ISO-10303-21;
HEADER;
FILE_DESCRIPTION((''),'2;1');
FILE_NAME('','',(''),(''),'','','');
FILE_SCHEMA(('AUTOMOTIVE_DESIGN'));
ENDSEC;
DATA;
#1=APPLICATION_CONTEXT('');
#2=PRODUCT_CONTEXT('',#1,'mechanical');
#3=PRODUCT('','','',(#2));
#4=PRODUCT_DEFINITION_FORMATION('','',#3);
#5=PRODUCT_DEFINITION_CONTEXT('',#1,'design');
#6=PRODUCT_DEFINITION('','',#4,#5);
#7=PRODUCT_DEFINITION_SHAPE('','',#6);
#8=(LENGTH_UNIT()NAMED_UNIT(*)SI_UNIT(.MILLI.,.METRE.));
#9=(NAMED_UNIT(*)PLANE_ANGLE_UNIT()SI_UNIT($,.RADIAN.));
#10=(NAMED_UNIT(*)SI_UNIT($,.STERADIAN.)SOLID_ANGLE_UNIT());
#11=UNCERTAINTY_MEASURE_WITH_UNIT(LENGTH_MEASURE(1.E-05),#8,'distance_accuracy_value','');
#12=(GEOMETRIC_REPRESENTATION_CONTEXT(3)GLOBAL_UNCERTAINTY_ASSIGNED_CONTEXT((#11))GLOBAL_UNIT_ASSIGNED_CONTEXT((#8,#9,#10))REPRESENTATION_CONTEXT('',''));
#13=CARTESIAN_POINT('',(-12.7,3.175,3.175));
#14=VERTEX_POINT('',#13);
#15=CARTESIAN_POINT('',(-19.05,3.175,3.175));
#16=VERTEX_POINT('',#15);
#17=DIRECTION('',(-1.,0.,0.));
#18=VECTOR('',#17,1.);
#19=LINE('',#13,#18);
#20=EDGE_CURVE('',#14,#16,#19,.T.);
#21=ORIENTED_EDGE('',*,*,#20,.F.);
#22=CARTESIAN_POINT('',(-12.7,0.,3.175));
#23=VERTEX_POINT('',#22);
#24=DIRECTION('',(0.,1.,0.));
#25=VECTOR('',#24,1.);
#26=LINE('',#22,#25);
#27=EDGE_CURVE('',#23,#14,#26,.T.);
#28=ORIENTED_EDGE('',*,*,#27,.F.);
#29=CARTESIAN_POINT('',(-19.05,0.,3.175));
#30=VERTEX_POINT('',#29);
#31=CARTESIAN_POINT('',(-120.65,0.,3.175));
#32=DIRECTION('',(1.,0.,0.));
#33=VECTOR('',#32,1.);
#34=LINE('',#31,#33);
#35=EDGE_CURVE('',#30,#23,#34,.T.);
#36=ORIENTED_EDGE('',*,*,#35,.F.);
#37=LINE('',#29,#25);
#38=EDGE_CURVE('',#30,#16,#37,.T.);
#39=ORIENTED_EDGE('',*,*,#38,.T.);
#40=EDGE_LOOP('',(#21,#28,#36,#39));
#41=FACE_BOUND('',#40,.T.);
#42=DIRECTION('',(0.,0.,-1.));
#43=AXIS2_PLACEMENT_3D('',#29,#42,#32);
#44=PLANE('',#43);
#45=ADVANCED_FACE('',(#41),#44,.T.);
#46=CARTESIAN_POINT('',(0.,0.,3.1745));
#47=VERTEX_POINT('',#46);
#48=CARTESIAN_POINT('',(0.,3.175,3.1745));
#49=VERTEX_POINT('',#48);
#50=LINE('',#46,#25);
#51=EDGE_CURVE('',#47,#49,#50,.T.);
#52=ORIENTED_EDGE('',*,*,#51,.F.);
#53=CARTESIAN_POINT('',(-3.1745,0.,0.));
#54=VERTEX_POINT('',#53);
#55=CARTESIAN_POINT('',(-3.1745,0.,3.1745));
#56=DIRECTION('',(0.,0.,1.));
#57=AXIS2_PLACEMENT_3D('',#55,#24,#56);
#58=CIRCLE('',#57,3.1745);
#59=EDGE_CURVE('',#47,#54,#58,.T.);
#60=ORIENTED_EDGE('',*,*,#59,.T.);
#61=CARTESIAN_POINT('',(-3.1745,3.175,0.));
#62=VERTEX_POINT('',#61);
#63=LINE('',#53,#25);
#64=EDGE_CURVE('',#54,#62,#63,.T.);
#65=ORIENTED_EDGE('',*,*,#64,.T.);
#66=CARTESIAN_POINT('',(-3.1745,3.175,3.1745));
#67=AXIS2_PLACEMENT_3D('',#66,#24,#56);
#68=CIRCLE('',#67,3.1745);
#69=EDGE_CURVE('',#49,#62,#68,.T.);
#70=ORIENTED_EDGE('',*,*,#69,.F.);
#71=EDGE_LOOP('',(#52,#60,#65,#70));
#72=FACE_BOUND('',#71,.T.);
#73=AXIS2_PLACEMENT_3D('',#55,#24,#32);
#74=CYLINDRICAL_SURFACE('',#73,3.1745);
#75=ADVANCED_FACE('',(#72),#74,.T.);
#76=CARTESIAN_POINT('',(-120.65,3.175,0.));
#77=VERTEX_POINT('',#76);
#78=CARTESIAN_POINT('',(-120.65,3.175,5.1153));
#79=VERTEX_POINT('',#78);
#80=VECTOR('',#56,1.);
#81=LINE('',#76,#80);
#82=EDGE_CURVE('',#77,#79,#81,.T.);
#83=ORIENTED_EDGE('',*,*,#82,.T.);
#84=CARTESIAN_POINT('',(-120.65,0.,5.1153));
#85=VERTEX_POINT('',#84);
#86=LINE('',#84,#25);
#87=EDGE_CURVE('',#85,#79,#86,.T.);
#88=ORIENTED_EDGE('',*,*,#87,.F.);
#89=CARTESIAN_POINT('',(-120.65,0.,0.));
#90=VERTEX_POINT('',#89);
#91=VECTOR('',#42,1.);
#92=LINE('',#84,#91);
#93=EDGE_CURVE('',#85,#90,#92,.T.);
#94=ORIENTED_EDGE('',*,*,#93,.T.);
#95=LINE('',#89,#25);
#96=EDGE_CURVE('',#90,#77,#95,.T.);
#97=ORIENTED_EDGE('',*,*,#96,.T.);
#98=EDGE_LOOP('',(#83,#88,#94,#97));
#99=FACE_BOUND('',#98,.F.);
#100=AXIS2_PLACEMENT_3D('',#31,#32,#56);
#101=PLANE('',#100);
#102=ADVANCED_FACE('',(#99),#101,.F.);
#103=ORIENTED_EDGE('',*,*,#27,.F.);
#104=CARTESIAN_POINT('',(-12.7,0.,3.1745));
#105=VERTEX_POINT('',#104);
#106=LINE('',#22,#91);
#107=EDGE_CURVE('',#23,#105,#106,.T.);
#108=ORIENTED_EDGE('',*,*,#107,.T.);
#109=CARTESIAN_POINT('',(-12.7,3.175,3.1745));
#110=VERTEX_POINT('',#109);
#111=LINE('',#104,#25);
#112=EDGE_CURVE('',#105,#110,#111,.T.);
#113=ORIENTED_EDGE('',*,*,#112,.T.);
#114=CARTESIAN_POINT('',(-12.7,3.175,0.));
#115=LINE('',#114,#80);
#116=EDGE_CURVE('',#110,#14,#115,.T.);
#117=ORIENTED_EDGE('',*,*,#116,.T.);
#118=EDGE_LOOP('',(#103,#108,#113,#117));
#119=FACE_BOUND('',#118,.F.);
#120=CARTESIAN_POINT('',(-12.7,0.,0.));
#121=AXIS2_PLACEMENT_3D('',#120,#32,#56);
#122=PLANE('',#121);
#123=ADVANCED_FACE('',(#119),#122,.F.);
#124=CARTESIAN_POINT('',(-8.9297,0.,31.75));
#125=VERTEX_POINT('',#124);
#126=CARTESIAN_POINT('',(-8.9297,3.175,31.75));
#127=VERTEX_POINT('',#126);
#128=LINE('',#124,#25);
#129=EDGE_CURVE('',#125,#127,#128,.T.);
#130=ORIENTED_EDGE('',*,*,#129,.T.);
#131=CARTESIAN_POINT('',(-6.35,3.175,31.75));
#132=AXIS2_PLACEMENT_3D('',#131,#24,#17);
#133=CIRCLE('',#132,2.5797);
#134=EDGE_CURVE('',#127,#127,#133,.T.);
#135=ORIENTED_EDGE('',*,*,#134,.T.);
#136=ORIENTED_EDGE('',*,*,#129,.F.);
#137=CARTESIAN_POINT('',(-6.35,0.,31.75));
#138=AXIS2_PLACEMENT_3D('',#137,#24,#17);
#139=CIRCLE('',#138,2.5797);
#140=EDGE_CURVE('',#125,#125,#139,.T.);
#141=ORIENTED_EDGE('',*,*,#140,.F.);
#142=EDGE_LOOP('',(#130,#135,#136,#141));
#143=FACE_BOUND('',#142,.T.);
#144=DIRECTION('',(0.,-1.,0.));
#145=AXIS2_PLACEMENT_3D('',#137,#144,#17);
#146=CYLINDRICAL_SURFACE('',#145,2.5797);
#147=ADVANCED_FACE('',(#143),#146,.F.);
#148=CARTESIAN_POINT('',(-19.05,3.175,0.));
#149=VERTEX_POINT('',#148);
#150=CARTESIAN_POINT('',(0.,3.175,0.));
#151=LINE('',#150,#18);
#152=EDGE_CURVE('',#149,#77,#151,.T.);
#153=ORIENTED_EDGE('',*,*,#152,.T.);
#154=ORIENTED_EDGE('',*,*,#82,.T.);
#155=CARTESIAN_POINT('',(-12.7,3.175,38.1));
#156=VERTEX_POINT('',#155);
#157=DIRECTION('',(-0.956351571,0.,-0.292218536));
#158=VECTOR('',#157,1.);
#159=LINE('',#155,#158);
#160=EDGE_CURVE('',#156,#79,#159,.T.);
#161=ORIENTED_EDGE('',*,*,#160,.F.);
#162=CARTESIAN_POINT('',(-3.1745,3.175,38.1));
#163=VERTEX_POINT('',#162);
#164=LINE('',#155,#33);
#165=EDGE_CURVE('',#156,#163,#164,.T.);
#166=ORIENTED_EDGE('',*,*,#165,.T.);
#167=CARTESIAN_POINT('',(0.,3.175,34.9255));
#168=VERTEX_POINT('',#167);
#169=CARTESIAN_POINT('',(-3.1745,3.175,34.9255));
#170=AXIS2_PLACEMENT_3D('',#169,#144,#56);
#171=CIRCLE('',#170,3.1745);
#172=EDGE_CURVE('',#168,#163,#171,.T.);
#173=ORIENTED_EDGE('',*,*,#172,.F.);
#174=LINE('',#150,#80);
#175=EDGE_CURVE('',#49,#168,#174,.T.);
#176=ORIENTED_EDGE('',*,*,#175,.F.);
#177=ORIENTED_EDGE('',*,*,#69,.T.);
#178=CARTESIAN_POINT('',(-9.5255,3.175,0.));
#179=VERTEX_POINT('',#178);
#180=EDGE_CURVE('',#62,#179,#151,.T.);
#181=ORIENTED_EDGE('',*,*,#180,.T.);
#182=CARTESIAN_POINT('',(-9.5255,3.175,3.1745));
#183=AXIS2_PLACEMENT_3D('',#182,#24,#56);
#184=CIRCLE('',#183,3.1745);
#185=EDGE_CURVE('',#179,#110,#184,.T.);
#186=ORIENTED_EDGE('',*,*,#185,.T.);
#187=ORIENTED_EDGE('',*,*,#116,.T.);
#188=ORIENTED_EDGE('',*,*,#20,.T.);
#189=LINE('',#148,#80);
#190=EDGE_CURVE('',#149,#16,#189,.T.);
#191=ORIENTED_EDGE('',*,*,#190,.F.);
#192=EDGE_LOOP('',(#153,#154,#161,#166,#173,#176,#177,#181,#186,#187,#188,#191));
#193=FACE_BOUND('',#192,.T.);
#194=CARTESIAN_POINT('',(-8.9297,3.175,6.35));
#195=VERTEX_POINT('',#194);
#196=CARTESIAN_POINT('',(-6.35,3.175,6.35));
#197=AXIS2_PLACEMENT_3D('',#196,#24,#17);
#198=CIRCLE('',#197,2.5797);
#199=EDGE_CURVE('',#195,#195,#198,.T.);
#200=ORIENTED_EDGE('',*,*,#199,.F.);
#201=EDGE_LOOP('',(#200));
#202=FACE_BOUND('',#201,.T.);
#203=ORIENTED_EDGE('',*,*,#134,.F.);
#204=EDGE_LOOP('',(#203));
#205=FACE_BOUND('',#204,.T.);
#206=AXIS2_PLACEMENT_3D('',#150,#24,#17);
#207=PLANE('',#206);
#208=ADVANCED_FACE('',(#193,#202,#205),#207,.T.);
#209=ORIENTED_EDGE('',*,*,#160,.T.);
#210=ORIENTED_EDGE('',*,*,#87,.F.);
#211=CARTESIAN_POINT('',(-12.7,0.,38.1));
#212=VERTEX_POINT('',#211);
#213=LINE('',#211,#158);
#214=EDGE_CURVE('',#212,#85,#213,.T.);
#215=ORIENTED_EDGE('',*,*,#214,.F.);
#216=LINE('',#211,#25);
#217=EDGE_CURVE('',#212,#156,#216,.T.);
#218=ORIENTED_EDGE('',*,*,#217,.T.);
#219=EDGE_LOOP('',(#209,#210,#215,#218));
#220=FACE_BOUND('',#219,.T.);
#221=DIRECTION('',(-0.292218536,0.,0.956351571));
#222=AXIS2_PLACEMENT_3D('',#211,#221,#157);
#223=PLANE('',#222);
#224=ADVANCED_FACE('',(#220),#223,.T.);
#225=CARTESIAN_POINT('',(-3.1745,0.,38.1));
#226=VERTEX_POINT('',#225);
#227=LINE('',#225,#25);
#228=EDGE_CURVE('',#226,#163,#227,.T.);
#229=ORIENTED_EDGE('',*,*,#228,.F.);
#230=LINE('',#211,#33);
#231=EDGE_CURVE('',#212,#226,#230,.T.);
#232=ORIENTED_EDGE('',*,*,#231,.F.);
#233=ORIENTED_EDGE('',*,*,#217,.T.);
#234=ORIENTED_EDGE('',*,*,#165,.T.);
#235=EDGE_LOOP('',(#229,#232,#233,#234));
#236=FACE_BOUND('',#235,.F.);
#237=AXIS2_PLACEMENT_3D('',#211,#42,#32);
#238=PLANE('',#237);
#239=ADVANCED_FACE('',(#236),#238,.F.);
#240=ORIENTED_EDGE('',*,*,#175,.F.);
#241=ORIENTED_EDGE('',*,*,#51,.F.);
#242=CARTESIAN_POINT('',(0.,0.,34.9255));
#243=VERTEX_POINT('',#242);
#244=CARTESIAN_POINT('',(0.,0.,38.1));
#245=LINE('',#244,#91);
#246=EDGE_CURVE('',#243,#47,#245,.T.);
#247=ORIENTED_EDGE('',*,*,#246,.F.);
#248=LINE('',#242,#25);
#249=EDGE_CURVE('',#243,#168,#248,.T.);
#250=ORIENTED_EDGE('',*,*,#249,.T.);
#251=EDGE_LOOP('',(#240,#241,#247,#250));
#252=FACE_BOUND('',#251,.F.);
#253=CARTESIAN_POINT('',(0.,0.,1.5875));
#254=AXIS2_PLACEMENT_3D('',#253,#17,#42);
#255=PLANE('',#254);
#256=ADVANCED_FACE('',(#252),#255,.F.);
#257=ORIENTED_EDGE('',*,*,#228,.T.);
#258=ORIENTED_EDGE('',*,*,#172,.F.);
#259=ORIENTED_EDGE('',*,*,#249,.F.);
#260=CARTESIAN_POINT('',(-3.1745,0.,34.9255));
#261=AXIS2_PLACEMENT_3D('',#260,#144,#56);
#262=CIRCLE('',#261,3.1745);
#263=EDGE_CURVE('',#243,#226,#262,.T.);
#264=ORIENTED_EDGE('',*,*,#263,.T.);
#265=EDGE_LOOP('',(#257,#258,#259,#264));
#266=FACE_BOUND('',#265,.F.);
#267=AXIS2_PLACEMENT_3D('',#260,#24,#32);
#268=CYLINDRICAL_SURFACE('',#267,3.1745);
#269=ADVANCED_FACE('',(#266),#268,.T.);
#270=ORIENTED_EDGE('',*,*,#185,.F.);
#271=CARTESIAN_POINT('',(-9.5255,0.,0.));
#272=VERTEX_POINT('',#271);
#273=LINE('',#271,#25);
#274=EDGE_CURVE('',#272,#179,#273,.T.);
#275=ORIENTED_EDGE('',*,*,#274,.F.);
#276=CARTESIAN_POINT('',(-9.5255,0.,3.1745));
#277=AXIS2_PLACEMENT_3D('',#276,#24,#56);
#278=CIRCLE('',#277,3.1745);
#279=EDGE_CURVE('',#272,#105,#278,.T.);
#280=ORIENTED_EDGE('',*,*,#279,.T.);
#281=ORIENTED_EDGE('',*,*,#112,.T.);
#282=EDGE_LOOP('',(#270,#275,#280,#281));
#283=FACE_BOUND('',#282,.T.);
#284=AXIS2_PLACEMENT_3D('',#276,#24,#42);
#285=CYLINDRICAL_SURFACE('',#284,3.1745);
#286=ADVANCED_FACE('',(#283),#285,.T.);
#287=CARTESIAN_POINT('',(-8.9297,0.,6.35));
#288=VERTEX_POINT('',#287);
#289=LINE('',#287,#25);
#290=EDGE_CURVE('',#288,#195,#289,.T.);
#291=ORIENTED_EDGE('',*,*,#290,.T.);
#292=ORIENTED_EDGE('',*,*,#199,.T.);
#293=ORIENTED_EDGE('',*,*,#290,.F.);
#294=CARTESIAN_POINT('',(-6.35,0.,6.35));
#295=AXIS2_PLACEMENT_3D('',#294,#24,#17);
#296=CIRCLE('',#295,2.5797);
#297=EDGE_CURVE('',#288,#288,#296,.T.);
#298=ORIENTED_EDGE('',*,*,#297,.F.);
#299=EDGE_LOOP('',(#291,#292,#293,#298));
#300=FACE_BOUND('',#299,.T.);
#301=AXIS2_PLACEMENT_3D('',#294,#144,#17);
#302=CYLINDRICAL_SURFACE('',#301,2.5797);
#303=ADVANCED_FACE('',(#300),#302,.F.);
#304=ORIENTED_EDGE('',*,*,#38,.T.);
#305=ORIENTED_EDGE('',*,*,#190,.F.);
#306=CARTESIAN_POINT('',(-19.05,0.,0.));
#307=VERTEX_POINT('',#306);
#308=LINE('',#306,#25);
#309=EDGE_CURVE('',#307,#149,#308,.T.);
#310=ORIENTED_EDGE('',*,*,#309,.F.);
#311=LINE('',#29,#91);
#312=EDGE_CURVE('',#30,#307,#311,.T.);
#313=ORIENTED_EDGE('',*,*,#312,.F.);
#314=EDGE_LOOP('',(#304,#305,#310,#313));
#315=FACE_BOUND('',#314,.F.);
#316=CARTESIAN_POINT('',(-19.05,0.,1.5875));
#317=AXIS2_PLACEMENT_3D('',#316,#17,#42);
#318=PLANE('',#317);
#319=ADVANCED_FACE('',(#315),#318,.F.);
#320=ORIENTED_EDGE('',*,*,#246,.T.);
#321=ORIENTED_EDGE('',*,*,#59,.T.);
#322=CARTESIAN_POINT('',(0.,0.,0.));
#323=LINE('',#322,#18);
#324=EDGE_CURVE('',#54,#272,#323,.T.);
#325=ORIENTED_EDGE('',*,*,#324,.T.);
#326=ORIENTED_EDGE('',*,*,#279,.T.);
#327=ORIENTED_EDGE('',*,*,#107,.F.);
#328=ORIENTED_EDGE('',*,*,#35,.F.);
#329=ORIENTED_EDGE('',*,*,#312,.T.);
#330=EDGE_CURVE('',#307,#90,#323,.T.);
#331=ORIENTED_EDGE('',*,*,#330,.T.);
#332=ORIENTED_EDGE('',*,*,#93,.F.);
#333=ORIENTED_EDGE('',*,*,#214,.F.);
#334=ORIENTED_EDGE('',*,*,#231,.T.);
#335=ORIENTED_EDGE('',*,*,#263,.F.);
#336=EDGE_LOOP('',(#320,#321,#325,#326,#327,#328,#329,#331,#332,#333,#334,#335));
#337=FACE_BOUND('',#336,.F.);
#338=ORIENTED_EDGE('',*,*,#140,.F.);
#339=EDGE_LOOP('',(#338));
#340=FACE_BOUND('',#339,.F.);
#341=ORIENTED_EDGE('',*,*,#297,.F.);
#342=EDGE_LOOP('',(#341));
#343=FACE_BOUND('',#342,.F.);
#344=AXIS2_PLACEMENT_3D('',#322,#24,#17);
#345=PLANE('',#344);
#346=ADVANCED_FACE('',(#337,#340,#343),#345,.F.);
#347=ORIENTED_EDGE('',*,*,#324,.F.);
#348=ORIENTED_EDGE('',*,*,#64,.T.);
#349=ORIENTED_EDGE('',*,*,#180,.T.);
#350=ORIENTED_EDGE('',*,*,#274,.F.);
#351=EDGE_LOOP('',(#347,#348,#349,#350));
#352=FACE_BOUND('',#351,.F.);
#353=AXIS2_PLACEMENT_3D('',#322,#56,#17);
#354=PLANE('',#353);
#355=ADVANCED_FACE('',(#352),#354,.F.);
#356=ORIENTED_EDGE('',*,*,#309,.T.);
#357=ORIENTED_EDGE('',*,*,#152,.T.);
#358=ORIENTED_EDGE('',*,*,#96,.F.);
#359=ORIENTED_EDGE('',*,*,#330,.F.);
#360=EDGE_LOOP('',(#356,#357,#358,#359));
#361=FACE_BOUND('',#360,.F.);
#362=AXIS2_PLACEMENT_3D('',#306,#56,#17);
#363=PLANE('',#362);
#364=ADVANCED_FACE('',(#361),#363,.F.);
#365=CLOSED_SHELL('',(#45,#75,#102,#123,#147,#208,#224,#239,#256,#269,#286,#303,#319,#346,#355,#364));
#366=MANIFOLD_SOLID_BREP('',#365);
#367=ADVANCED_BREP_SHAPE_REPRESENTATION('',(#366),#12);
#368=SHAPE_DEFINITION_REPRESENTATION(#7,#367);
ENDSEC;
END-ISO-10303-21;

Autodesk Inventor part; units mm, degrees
ref_plane "YZ Plane" through (0, 0, 0) normal (1, 0, 0) x (0, 1, 0)
ref_plane "XZ Plane" through (0, 0, 0) normal (0, 1, 0) x (-1, 0, 0)
ref_plane "XY Plane" through (0, 0, 0) normal (0, 0, 1) x (1, 0, 0)
sketch "Sketch1" plane through (0, 0, 0) normal (0, 1, 0) x (-1, 0, 0)
  line L0 (0, 0) -> (12.7, 0)
  line L1 (12.7, 0) -> (12.7, 38.1)
  line L2 (12.7, 38.1) -> (0, 38.1)
  line L3 (0, 38.1) -> (0, 0)
  circle A0 centre (6.35, 31.75) radius 2.5797
  circle A1 centre (6.35, 6.35) radius 2.5797
  line L4 (0, 0) -> (127, 0)
  line L5 (127, 0) -> (127, 3.175)
  line L6 (127, 3.175) -> (0, 3.175)
  line L7 (0, 3.175) -> (0, 0)
  line L8 (12.7, 38.1) -> (127, 3.175)
  line L9 (0, 3.175) -> (127, 3.175)
  line L10 (127, 3.175) -> (127, 1.5875)
  line L11 (127, 1.5875) -> (0, 1.5875)
  line L12 (0, 1.5875) -> (0, 3.175)
  line L13 (0, 3.175) -> (19.05, 3.175)
  line L14 (19.05, 3.175) -> (19.05, 1.5875)
  line L15 (19.05, 1.5875) -> (0, 1.5875)
  line L16 (0, 1.5875) -> (0, 3.175)
  line L17 (127, 3.175) -> (120.65, 3.175)
  line L18 (120.65, 3.175) -> (120.65, 1.5875)
  line L19 (120.65, 1.5875) -> (127, 1.5875)
  line L20 (127, 1.5875) -> (127, 3.175)
  line L21 (120.65, 3.175) -> (120.65, 5.1153)
  line L22 (127, 0) -> (0, 0)
  line L23 (0, 0) -> (0, -12.7)
  line L24 (0, -12.7) -> (127, -12.7)
  line L25 (127, -12.7) -> (127, 0)
  line L26 (120.65, 1.5875) -> (120.65, 0)
  line L27 (19.05, 1.5875) -> (19.05, 0)
  point P0 (0, 3.175)
  point P1 (0, 1.5875)
  point P2 (120.65, 1.5875)
  point P3 (120.65, 3.175)
  point P4 (19.05, 3.175)
  point P5 (19.05, 1.5875)
  point P6 (120.65, 3.175)
  point P7 (12.7, 1.5875)
  point P8 (12.7, 3.175)
  dimension "d0" = 12.7
  dimension "d1" = 6.35
  dimension "d2" = 6.35
  dimension "d3" = 25.4
  dimension "d5" = 6.35
  dimension "d6" = 5.1594
  dimension "d7" = 127
  dimension "d8" = 3.175
  dimension "d9" = 127
  dimension "d10" = 1.5875
  dimension "d15" = 19.05
  dimension "d16" = 1.5875
  dimension "d17" = 6.35
  dimension "d18" = 1.5875
  dimension "d25" = 12.7
  dimension "d27" = 6.35
extrude "Extrusion1" add sketch "Sketch1" along normal blind 3.175 contours L3 L11 L1 L0 | L3 L6 L1 L11 | L3 L2 L1 L6 | L1 L8 L21 L6
extrude "Extrusion2" add sketch "Sketch1" along normal up to surface (3.175 mm away) contours L27 L11 L26 L4 | L14 L6 L18 L11
fillet "Fillet1" radius 3.175 3 edges at (-12.7, 1.5875, 0) (0, 1.5875, 0) (0, 1.5875, 38.1)
equation "\"d1\" = d5"
equation "\"d2\" = d21"
equation "\"d5\" = 0.5 * d0"
equation "\"d16\" = d18"
equation "\"d21\" = d5"
properties part number "Gripper triangle"
